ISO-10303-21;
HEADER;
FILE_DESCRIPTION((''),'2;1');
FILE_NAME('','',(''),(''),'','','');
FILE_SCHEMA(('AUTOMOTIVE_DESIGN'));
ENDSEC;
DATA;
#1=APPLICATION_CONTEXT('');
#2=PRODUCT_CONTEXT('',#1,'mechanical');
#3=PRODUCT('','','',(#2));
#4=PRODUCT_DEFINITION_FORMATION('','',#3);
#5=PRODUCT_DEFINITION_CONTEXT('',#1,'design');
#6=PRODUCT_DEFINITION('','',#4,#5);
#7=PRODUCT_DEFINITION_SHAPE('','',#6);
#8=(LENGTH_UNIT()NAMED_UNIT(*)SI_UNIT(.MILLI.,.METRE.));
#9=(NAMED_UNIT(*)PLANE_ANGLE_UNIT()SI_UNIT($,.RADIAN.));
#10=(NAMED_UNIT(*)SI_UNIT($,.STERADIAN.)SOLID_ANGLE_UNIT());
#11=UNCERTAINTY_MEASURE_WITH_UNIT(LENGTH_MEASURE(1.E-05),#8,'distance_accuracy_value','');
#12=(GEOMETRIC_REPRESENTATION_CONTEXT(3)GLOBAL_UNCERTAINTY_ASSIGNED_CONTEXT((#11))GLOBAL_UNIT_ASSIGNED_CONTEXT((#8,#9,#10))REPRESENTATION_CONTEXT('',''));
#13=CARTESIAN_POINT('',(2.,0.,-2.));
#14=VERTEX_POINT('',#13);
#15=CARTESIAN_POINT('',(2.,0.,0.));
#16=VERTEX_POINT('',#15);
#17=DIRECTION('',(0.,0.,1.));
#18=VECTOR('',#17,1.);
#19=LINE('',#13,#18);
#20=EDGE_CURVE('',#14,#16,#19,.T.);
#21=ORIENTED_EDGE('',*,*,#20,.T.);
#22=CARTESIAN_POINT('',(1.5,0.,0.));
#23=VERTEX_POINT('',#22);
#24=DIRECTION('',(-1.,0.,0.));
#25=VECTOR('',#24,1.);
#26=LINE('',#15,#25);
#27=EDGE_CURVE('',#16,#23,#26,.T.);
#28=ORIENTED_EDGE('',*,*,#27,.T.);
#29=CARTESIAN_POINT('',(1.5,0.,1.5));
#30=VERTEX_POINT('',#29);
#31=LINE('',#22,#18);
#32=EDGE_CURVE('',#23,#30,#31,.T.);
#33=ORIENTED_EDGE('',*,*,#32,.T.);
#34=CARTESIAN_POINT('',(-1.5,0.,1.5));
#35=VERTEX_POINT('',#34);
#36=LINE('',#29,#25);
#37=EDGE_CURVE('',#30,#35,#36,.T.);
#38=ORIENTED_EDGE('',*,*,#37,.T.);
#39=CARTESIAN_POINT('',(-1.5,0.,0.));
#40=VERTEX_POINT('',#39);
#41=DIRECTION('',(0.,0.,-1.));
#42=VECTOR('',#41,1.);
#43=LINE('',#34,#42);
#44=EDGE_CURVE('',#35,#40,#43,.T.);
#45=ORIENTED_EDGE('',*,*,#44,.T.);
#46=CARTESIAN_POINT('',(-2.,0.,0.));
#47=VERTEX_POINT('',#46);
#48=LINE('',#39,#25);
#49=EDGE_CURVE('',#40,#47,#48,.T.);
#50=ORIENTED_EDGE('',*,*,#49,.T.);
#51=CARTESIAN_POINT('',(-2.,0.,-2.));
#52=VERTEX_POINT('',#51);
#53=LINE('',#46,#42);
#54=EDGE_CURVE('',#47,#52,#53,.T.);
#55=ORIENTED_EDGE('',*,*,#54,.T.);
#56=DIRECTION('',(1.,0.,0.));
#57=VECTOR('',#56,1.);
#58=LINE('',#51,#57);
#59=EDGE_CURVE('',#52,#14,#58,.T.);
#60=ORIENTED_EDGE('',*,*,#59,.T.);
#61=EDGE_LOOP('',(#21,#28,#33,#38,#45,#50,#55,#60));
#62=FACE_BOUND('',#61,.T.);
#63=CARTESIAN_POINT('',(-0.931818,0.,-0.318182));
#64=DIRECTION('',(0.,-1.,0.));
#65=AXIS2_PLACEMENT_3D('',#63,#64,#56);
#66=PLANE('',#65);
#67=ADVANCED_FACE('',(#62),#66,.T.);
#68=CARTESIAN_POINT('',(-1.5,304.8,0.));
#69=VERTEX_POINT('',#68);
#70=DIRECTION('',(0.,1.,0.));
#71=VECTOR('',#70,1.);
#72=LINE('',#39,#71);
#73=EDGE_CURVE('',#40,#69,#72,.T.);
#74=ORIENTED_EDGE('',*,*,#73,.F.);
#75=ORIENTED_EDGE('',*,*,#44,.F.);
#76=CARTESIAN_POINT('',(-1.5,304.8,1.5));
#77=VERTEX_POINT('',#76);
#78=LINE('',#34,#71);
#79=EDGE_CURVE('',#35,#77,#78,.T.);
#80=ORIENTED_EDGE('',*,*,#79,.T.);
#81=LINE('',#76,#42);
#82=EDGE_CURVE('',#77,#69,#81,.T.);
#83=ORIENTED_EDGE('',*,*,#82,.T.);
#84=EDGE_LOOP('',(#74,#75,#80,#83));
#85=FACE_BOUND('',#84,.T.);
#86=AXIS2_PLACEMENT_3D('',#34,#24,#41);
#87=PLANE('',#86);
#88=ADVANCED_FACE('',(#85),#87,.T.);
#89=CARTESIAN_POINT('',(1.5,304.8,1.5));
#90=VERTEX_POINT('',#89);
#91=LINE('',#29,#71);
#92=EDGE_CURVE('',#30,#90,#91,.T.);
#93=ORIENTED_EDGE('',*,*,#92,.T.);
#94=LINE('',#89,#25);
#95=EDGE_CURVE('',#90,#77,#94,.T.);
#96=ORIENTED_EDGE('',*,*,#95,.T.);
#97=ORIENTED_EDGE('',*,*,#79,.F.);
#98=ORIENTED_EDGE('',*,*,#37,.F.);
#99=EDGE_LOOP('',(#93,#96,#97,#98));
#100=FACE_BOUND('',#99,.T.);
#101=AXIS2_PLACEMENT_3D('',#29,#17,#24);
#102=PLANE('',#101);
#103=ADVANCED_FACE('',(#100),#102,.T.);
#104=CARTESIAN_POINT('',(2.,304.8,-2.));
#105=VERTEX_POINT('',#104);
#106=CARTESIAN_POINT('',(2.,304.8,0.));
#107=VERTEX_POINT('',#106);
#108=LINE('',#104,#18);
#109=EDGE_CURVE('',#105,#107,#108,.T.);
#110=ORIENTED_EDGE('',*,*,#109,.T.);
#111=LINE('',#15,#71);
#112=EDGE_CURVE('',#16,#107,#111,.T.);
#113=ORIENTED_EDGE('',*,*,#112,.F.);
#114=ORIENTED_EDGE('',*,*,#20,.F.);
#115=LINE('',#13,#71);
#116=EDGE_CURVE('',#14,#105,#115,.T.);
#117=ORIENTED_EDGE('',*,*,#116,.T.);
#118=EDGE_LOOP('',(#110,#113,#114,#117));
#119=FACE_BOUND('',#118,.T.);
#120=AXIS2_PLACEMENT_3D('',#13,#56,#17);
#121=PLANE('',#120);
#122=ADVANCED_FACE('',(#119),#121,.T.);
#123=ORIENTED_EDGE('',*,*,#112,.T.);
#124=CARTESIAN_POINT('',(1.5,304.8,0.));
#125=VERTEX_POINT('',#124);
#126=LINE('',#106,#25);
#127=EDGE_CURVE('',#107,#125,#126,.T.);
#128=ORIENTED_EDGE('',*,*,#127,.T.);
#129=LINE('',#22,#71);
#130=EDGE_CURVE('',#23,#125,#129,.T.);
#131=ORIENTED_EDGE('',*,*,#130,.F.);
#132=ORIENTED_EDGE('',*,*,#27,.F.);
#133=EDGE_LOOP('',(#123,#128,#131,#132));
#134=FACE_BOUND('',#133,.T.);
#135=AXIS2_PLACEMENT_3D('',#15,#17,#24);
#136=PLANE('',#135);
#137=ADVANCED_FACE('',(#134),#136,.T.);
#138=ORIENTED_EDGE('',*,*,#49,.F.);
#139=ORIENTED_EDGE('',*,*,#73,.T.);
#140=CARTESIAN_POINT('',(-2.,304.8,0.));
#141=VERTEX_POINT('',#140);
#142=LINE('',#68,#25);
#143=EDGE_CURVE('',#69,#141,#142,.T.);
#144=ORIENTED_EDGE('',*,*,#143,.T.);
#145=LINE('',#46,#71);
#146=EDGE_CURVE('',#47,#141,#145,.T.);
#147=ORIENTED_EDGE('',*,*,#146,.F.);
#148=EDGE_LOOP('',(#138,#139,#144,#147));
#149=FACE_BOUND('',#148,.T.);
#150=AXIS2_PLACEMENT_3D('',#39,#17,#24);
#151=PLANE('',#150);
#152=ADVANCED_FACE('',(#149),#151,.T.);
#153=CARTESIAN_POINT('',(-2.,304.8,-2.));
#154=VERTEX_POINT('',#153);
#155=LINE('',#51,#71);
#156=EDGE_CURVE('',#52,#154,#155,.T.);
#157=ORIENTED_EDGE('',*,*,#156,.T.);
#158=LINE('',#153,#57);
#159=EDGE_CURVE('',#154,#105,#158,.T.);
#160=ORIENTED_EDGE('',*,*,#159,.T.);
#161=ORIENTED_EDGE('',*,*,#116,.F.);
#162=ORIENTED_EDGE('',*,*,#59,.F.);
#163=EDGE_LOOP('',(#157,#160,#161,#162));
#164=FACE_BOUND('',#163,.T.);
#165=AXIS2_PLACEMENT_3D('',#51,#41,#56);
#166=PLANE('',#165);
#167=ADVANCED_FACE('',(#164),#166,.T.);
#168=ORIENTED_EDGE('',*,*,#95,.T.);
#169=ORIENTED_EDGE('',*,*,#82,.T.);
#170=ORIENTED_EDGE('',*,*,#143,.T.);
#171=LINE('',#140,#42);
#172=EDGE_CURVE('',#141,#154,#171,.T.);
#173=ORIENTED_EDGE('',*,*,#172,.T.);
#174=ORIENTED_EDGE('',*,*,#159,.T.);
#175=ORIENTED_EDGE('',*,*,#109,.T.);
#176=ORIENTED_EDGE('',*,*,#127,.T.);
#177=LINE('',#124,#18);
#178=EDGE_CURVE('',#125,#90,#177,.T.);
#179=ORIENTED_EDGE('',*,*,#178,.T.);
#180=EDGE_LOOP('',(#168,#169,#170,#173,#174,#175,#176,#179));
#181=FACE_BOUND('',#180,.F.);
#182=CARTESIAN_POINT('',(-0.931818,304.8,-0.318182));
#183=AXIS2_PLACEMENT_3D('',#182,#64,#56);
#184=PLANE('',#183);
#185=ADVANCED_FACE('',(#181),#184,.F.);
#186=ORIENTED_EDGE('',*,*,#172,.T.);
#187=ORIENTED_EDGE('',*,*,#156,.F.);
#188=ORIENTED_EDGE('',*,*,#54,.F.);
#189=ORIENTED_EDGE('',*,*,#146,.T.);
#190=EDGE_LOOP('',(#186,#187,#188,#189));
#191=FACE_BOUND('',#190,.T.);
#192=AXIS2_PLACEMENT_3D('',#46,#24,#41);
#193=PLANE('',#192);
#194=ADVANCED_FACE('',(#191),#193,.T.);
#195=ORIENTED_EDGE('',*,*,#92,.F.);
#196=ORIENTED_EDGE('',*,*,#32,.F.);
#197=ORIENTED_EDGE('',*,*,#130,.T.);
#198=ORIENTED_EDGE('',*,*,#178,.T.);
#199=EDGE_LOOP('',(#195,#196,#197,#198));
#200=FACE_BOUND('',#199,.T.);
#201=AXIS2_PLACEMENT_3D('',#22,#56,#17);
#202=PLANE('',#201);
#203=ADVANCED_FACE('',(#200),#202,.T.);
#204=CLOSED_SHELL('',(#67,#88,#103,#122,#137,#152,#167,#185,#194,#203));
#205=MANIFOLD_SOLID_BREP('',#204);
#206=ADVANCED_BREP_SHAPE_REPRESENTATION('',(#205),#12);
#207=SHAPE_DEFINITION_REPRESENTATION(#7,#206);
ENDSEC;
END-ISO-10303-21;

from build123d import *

# Parameters (mm, degrees)
F1_DEPTH = 304.8


with BuildPart() as f1:
    # F0 (on Front) → F1 (new body)
    with BuildSketch(Plane.XZ):
        Polygon((-2, -2), (0, -2), (0, 0), (0, 1.5), (-1.5, 1.5), (-1.5, 0), (-2, 0), align=None)
        Polygon((2, -2), (2, 0), (1.5, 0), (1.5, 1.5), (0, 1.5), (0, 0), (0, -2), align=None)
    extrude(amount=-F1_DEPTH)


solid = f1.part
